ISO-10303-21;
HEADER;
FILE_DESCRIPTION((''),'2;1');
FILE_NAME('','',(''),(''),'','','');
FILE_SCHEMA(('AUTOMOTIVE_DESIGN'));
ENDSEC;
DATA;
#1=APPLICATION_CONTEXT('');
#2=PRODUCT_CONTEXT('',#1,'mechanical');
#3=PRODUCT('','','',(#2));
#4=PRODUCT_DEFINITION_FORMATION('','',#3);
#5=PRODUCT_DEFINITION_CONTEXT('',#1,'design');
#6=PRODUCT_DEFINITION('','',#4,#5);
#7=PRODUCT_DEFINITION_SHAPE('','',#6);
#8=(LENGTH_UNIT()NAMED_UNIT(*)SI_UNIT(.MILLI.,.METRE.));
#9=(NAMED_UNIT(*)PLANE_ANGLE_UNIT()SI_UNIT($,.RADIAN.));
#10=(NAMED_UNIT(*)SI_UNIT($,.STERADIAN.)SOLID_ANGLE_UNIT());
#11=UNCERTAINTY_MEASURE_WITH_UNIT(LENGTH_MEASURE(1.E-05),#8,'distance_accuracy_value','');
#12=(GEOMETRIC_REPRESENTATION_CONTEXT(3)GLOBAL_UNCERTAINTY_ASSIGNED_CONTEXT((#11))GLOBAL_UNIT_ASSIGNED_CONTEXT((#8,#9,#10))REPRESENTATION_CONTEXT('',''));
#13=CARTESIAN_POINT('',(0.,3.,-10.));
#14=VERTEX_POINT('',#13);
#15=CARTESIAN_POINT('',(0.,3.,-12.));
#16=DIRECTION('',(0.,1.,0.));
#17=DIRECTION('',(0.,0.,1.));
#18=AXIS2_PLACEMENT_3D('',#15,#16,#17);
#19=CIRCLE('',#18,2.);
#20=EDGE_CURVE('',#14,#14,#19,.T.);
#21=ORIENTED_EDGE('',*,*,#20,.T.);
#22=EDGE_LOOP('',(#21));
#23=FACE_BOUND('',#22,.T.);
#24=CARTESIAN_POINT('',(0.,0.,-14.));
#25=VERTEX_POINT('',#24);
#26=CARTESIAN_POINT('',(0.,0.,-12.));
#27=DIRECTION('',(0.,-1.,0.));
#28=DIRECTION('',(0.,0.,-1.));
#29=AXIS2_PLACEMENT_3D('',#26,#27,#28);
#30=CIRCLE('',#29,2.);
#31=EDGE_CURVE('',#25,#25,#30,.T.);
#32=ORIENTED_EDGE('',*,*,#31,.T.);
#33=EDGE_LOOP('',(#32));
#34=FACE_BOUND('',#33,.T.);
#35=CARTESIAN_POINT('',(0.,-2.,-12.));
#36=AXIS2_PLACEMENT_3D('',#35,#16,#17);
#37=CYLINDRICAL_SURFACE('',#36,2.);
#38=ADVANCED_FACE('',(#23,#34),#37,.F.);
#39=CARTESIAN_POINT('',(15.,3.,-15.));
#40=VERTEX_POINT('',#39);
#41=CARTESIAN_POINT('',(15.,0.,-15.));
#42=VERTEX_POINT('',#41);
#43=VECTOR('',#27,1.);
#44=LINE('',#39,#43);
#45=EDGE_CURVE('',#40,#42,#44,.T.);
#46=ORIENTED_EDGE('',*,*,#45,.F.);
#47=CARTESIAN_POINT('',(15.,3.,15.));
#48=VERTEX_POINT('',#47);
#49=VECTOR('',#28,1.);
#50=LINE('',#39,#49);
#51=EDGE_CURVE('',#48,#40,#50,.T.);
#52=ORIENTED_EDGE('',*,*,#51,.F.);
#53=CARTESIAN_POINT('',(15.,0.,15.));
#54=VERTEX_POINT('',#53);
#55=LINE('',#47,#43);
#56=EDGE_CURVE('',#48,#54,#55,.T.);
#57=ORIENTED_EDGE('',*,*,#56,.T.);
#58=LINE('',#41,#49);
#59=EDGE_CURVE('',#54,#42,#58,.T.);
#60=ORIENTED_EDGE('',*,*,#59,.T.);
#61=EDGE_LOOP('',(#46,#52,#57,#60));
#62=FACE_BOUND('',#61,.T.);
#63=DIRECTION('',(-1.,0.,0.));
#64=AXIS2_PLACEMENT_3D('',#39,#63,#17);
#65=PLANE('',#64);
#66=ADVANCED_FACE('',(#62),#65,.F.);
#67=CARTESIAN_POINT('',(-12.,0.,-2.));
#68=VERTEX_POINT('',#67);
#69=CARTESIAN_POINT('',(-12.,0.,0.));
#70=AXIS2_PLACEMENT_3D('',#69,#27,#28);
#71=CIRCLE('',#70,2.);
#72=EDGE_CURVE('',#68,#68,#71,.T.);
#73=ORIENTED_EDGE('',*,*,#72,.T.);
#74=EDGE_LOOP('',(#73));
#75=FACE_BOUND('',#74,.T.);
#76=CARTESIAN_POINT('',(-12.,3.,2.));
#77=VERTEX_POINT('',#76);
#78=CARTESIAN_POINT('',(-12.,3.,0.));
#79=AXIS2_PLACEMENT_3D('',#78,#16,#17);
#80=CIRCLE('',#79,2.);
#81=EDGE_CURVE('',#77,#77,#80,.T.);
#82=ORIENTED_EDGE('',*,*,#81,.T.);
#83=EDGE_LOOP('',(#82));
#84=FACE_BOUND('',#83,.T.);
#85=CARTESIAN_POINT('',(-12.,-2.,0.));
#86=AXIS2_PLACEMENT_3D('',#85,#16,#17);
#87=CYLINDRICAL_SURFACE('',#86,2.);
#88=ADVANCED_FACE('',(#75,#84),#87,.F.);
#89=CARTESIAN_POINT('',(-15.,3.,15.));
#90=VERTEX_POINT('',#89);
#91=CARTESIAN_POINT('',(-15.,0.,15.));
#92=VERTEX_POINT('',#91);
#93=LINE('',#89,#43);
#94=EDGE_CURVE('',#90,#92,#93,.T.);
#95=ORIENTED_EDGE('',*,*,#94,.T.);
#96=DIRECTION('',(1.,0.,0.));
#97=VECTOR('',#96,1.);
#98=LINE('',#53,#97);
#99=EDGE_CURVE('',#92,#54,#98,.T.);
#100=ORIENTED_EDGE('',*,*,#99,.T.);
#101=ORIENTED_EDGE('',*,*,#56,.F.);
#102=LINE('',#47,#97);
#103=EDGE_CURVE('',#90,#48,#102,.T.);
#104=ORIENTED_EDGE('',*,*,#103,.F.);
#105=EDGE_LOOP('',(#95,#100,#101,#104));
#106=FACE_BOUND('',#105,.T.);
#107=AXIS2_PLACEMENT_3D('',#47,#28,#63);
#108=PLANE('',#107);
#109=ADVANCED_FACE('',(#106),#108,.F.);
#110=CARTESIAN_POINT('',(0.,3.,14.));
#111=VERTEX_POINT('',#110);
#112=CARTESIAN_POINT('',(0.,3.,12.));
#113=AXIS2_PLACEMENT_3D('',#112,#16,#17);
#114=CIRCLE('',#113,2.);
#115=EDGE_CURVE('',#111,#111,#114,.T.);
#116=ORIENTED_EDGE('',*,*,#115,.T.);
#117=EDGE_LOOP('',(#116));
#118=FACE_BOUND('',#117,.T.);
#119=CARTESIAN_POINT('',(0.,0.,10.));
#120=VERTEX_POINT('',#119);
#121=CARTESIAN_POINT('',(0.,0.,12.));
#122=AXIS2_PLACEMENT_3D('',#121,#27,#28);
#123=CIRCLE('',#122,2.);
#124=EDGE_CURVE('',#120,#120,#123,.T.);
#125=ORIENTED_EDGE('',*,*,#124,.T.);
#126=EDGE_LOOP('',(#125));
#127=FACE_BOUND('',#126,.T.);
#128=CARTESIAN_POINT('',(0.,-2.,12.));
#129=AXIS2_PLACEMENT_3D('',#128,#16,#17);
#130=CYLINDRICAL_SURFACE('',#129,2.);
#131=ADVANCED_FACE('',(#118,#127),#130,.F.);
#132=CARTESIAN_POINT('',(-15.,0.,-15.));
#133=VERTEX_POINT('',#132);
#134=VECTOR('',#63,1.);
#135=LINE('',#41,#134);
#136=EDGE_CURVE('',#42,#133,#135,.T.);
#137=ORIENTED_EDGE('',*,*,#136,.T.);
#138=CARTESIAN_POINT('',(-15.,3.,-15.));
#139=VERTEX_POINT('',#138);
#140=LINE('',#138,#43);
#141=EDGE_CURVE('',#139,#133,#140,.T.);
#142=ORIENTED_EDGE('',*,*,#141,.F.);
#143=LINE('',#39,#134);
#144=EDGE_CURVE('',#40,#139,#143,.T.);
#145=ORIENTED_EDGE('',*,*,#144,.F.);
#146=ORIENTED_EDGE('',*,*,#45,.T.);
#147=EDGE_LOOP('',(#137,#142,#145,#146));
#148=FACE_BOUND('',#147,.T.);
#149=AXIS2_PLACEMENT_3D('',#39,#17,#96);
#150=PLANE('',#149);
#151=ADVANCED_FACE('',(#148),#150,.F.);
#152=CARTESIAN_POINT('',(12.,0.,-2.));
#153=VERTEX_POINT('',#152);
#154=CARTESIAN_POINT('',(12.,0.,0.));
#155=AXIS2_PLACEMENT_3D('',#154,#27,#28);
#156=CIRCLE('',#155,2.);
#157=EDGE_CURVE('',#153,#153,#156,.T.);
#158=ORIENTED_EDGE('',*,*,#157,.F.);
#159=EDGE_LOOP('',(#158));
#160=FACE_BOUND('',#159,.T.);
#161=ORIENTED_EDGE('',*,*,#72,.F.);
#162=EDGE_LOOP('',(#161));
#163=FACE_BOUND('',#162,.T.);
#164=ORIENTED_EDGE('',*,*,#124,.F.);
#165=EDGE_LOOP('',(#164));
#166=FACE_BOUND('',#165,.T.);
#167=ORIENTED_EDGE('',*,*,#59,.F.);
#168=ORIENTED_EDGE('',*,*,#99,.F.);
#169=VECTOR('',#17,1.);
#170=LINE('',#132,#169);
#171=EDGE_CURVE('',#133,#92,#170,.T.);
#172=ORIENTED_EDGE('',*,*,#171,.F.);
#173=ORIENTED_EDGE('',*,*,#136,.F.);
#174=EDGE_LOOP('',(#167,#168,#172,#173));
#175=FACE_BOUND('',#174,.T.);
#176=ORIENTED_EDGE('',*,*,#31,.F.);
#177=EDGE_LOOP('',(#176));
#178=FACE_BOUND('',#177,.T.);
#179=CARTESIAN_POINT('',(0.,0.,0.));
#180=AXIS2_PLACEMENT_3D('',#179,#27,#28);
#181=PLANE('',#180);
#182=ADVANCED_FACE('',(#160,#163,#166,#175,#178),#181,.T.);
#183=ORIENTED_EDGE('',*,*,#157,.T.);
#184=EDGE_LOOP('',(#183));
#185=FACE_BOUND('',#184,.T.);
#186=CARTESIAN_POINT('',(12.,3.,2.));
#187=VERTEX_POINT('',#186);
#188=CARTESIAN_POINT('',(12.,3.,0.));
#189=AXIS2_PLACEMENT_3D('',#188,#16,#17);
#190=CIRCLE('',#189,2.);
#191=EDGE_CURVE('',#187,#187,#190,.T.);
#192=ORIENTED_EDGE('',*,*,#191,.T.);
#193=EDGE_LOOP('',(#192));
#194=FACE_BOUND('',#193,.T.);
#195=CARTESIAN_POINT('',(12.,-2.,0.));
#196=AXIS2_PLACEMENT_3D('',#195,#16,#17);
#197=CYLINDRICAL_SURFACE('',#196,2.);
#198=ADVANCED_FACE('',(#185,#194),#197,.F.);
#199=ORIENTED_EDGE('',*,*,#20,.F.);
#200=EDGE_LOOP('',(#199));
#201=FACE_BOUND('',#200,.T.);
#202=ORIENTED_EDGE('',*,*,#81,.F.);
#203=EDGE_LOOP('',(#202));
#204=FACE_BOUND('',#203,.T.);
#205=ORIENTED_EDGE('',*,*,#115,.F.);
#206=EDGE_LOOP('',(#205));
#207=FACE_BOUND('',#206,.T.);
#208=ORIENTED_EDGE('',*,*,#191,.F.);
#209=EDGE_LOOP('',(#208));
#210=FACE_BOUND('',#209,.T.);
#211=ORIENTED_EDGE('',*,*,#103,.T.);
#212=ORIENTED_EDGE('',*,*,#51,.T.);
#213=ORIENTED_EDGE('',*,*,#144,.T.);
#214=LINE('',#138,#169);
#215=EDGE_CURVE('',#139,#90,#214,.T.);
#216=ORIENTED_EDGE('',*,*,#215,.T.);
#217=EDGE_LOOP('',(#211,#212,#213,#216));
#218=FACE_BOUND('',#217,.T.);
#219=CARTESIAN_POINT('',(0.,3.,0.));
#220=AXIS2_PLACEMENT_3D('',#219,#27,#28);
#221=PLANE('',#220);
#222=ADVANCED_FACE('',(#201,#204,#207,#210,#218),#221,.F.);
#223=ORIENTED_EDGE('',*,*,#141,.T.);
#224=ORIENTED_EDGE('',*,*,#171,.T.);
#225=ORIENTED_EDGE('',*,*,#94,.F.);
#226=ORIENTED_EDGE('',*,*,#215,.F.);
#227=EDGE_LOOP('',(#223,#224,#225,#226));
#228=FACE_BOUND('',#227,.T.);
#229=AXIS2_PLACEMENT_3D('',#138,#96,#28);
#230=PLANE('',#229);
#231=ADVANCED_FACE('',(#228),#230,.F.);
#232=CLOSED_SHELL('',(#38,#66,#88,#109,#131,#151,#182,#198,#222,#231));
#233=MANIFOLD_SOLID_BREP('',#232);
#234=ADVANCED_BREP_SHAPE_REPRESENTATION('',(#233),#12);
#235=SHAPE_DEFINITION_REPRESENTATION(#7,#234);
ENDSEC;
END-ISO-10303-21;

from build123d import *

# Parameters (mm, degrees)
SKETCH_1_W          = 30
SKETCH_1_H          = 30
EXTRUDE_1_DEPTH     = 3
SKETCH_2_R          = 2
CUT_EXTRUDE_1_DEPTH = 5


with BuildPart() as part:
    # 草圖1 → 填料-伸長1 (new body)
    with BuildSketch(Plane(origin=(0, 0, 0), x_dir=(1, 0, 0), z_dir=(0, 1, 0))):
        Rectangle(SKETCH_1_W, SKETCH_1_H)
    extrude(amount=EXTRUDE_1_DEPTH)

    # 草圖2 → 除料-伸長1 (cut)
    with BuildSketch(Plane(origin=(0, 3, 0), x_dir=(1, 0, 0), z_dir=(0, 1, 0))):
        with Locations((-12, 0)):
            Circle(SKETCH_2_R)
        with Locations((12, 0)):
            Circle(SKETCH_2_R)
        with Locations((0, 12)):
            Circle(SKETCH_2_R)
        with Locations((0, -12)):
            Circle(SKETCH_2_R)
    extrude(amount=-CUT_EXTRUDE_1_DEPTH, mode=Mode.SUBTRACT)


solid = part.part
